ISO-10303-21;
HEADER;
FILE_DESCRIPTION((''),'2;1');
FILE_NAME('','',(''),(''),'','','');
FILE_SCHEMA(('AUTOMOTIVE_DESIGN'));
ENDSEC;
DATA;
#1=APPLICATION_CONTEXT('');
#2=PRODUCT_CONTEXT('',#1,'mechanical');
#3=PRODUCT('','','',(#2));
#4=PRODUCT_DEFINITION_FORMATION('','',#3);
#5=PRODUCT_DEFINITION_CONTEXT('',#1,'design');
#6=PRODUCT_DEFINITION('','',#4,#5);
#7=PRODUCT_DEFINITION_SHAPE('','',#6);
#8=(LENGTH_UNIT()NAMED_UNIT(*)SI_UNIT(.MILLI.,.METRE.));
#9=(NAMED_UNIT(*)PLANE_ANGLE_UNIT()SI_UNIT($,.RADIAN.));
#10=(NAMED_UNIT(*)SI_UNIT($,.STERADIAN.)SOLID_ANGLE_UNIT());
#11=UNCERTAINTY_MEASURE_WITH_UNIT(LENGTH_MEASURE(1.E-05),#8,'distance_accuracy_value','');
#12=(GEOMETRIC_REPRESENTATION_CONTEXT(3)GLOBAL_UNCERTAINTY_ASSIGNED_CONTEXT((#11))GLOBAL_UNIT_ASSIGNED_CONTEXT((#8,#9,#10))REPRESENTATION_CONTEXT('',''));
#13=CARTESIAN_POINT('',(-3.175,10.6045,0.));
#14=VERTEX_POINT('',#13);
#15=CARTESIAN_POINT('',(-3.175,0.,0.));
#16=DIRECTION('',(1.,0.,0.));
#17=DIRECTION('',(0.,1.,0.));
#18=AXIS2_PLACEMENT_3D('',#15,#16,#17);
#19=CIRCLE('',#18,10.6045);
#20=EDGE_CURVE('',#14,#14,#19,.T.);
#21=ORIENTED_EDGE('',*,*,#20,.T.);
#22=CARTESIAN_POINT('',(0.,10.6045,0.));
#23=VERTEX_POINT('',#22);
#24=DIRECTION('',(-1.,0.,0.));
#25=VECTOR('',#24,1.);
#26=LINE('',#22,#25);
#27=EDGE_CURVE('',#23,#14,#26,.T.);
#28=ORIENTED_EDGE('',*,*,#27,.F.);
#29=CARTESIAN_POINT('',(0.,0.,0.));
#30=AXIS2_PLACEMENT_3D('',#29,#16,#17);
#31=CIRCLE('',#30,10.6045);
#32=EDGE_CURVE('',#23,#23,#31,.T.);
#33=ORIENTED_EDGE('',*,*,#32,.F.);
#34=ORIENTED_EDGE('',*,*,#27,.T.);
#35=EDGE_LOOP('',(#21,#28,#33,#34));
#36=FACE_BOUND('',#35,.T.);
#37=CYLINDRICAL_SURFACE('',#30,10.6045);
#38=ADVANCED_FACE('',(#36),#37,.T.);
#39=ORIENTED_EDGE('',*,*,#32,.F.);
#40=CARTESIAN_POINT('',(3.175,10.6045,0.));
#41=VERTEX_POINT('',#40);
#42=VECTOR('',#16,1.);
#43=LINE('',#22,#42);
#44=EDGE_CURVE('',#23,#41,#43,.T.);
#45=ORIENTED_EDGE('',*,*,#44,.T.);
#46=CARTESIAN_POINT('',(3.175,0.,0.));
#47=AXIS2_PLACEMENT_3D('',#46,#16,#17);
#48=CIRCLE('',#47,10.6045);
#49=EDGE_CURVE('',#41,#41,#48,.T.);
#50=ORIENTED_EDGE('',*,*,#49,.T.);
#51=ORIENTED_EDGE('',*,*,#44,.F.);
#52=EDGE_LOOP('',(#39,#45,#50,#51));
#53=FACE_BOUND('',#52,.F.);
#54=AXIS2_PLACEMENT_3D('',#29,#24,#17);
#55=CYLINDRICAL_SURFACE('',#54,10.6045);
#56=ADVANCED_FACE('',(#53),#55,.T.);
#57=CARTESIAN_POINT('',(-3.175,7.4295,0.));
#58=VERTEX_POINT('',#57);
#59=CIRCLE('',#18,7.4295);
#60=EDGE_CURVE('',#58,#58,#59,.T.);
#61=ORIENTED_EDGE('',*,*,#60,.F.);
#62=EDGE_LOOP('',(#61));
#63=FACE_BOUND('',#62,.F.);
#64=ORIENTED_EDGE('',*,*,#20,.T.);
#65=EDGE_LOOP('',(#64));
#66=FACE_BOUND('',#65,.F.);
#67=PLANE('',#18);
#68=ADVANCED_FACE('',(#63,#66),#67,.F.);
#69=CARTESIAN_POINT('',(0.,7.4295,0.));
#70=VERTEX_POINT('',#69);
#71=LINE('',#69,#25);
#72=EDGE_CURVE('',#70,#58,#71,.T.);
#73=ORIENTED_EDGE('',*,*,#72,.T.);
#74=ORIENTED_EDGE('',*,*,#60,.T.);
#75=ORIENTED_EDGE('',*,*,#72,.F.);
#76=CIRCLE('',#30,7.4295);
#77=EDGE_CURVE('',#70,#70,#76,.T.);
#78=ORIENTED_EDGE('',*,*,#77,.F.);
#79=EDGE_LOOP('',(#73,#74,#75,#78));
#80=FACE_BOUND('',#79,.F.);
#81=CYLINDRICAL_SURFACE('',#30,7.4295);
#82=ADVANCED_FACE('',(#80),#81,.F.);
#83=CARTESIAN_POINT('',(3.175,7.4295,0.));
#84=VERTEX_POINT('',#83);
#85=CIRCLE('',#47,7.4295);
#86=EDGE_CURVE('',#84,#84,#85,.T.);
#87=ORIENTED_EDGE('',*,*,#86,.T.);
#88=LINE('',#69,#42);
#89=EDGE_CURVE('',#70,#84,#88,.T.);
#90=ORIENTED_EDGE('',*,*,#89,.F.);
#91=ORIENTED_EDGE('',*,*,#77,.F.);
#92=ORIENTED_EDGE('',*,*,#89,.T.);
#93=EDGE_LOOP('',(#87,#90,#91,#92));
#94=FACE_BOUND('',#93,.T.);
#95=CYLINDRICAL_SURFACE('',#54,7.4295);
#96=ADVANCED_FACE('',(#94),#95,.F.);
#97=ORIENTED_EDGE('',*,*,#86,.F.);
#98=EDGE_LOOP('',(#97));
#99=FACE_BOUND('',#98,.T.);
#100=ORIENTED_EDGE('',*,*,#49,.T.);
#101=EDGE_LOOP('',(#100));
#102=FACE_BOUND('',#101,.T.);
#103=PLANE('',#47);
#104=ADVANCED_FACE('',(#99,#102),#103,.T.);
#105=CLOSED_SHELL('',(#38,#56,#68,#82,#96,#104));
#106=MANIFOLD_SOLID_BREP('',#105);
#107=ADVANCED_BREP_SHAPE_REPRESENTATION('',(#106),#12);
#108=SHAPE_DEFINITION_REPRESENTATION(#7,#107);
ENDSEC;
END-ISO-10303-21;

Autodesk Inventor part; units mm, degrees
ref_plane "YZ Plane" through (0, 0, 0) normal (1, 0, 0) x (0, 1, 0)
ref_plane "XZ Plane" through (0, 0, 0) normal (0, 1, 0) x (-1, 0, 0)
ref_plane "XY Plane" through (0, 0, 0) normal (0, 0, 1) x (1, 0, 0)
sketch "Sketch1" plane through (0, 0, 0) normal (1, 0, 0) x (0, 1, 0)
  circle A0 centre (0, 0) radius 7.4295
  circle A1 centre (0, 0) radius 10.6045
  dimension "d0" = 14.859
  dimension "d1" = 3.175
extrude "Extrusion1" add sketch "Sketch1" along normal mid plane 6.35
properties part number "GP9-005" material "ABS Plastic"
